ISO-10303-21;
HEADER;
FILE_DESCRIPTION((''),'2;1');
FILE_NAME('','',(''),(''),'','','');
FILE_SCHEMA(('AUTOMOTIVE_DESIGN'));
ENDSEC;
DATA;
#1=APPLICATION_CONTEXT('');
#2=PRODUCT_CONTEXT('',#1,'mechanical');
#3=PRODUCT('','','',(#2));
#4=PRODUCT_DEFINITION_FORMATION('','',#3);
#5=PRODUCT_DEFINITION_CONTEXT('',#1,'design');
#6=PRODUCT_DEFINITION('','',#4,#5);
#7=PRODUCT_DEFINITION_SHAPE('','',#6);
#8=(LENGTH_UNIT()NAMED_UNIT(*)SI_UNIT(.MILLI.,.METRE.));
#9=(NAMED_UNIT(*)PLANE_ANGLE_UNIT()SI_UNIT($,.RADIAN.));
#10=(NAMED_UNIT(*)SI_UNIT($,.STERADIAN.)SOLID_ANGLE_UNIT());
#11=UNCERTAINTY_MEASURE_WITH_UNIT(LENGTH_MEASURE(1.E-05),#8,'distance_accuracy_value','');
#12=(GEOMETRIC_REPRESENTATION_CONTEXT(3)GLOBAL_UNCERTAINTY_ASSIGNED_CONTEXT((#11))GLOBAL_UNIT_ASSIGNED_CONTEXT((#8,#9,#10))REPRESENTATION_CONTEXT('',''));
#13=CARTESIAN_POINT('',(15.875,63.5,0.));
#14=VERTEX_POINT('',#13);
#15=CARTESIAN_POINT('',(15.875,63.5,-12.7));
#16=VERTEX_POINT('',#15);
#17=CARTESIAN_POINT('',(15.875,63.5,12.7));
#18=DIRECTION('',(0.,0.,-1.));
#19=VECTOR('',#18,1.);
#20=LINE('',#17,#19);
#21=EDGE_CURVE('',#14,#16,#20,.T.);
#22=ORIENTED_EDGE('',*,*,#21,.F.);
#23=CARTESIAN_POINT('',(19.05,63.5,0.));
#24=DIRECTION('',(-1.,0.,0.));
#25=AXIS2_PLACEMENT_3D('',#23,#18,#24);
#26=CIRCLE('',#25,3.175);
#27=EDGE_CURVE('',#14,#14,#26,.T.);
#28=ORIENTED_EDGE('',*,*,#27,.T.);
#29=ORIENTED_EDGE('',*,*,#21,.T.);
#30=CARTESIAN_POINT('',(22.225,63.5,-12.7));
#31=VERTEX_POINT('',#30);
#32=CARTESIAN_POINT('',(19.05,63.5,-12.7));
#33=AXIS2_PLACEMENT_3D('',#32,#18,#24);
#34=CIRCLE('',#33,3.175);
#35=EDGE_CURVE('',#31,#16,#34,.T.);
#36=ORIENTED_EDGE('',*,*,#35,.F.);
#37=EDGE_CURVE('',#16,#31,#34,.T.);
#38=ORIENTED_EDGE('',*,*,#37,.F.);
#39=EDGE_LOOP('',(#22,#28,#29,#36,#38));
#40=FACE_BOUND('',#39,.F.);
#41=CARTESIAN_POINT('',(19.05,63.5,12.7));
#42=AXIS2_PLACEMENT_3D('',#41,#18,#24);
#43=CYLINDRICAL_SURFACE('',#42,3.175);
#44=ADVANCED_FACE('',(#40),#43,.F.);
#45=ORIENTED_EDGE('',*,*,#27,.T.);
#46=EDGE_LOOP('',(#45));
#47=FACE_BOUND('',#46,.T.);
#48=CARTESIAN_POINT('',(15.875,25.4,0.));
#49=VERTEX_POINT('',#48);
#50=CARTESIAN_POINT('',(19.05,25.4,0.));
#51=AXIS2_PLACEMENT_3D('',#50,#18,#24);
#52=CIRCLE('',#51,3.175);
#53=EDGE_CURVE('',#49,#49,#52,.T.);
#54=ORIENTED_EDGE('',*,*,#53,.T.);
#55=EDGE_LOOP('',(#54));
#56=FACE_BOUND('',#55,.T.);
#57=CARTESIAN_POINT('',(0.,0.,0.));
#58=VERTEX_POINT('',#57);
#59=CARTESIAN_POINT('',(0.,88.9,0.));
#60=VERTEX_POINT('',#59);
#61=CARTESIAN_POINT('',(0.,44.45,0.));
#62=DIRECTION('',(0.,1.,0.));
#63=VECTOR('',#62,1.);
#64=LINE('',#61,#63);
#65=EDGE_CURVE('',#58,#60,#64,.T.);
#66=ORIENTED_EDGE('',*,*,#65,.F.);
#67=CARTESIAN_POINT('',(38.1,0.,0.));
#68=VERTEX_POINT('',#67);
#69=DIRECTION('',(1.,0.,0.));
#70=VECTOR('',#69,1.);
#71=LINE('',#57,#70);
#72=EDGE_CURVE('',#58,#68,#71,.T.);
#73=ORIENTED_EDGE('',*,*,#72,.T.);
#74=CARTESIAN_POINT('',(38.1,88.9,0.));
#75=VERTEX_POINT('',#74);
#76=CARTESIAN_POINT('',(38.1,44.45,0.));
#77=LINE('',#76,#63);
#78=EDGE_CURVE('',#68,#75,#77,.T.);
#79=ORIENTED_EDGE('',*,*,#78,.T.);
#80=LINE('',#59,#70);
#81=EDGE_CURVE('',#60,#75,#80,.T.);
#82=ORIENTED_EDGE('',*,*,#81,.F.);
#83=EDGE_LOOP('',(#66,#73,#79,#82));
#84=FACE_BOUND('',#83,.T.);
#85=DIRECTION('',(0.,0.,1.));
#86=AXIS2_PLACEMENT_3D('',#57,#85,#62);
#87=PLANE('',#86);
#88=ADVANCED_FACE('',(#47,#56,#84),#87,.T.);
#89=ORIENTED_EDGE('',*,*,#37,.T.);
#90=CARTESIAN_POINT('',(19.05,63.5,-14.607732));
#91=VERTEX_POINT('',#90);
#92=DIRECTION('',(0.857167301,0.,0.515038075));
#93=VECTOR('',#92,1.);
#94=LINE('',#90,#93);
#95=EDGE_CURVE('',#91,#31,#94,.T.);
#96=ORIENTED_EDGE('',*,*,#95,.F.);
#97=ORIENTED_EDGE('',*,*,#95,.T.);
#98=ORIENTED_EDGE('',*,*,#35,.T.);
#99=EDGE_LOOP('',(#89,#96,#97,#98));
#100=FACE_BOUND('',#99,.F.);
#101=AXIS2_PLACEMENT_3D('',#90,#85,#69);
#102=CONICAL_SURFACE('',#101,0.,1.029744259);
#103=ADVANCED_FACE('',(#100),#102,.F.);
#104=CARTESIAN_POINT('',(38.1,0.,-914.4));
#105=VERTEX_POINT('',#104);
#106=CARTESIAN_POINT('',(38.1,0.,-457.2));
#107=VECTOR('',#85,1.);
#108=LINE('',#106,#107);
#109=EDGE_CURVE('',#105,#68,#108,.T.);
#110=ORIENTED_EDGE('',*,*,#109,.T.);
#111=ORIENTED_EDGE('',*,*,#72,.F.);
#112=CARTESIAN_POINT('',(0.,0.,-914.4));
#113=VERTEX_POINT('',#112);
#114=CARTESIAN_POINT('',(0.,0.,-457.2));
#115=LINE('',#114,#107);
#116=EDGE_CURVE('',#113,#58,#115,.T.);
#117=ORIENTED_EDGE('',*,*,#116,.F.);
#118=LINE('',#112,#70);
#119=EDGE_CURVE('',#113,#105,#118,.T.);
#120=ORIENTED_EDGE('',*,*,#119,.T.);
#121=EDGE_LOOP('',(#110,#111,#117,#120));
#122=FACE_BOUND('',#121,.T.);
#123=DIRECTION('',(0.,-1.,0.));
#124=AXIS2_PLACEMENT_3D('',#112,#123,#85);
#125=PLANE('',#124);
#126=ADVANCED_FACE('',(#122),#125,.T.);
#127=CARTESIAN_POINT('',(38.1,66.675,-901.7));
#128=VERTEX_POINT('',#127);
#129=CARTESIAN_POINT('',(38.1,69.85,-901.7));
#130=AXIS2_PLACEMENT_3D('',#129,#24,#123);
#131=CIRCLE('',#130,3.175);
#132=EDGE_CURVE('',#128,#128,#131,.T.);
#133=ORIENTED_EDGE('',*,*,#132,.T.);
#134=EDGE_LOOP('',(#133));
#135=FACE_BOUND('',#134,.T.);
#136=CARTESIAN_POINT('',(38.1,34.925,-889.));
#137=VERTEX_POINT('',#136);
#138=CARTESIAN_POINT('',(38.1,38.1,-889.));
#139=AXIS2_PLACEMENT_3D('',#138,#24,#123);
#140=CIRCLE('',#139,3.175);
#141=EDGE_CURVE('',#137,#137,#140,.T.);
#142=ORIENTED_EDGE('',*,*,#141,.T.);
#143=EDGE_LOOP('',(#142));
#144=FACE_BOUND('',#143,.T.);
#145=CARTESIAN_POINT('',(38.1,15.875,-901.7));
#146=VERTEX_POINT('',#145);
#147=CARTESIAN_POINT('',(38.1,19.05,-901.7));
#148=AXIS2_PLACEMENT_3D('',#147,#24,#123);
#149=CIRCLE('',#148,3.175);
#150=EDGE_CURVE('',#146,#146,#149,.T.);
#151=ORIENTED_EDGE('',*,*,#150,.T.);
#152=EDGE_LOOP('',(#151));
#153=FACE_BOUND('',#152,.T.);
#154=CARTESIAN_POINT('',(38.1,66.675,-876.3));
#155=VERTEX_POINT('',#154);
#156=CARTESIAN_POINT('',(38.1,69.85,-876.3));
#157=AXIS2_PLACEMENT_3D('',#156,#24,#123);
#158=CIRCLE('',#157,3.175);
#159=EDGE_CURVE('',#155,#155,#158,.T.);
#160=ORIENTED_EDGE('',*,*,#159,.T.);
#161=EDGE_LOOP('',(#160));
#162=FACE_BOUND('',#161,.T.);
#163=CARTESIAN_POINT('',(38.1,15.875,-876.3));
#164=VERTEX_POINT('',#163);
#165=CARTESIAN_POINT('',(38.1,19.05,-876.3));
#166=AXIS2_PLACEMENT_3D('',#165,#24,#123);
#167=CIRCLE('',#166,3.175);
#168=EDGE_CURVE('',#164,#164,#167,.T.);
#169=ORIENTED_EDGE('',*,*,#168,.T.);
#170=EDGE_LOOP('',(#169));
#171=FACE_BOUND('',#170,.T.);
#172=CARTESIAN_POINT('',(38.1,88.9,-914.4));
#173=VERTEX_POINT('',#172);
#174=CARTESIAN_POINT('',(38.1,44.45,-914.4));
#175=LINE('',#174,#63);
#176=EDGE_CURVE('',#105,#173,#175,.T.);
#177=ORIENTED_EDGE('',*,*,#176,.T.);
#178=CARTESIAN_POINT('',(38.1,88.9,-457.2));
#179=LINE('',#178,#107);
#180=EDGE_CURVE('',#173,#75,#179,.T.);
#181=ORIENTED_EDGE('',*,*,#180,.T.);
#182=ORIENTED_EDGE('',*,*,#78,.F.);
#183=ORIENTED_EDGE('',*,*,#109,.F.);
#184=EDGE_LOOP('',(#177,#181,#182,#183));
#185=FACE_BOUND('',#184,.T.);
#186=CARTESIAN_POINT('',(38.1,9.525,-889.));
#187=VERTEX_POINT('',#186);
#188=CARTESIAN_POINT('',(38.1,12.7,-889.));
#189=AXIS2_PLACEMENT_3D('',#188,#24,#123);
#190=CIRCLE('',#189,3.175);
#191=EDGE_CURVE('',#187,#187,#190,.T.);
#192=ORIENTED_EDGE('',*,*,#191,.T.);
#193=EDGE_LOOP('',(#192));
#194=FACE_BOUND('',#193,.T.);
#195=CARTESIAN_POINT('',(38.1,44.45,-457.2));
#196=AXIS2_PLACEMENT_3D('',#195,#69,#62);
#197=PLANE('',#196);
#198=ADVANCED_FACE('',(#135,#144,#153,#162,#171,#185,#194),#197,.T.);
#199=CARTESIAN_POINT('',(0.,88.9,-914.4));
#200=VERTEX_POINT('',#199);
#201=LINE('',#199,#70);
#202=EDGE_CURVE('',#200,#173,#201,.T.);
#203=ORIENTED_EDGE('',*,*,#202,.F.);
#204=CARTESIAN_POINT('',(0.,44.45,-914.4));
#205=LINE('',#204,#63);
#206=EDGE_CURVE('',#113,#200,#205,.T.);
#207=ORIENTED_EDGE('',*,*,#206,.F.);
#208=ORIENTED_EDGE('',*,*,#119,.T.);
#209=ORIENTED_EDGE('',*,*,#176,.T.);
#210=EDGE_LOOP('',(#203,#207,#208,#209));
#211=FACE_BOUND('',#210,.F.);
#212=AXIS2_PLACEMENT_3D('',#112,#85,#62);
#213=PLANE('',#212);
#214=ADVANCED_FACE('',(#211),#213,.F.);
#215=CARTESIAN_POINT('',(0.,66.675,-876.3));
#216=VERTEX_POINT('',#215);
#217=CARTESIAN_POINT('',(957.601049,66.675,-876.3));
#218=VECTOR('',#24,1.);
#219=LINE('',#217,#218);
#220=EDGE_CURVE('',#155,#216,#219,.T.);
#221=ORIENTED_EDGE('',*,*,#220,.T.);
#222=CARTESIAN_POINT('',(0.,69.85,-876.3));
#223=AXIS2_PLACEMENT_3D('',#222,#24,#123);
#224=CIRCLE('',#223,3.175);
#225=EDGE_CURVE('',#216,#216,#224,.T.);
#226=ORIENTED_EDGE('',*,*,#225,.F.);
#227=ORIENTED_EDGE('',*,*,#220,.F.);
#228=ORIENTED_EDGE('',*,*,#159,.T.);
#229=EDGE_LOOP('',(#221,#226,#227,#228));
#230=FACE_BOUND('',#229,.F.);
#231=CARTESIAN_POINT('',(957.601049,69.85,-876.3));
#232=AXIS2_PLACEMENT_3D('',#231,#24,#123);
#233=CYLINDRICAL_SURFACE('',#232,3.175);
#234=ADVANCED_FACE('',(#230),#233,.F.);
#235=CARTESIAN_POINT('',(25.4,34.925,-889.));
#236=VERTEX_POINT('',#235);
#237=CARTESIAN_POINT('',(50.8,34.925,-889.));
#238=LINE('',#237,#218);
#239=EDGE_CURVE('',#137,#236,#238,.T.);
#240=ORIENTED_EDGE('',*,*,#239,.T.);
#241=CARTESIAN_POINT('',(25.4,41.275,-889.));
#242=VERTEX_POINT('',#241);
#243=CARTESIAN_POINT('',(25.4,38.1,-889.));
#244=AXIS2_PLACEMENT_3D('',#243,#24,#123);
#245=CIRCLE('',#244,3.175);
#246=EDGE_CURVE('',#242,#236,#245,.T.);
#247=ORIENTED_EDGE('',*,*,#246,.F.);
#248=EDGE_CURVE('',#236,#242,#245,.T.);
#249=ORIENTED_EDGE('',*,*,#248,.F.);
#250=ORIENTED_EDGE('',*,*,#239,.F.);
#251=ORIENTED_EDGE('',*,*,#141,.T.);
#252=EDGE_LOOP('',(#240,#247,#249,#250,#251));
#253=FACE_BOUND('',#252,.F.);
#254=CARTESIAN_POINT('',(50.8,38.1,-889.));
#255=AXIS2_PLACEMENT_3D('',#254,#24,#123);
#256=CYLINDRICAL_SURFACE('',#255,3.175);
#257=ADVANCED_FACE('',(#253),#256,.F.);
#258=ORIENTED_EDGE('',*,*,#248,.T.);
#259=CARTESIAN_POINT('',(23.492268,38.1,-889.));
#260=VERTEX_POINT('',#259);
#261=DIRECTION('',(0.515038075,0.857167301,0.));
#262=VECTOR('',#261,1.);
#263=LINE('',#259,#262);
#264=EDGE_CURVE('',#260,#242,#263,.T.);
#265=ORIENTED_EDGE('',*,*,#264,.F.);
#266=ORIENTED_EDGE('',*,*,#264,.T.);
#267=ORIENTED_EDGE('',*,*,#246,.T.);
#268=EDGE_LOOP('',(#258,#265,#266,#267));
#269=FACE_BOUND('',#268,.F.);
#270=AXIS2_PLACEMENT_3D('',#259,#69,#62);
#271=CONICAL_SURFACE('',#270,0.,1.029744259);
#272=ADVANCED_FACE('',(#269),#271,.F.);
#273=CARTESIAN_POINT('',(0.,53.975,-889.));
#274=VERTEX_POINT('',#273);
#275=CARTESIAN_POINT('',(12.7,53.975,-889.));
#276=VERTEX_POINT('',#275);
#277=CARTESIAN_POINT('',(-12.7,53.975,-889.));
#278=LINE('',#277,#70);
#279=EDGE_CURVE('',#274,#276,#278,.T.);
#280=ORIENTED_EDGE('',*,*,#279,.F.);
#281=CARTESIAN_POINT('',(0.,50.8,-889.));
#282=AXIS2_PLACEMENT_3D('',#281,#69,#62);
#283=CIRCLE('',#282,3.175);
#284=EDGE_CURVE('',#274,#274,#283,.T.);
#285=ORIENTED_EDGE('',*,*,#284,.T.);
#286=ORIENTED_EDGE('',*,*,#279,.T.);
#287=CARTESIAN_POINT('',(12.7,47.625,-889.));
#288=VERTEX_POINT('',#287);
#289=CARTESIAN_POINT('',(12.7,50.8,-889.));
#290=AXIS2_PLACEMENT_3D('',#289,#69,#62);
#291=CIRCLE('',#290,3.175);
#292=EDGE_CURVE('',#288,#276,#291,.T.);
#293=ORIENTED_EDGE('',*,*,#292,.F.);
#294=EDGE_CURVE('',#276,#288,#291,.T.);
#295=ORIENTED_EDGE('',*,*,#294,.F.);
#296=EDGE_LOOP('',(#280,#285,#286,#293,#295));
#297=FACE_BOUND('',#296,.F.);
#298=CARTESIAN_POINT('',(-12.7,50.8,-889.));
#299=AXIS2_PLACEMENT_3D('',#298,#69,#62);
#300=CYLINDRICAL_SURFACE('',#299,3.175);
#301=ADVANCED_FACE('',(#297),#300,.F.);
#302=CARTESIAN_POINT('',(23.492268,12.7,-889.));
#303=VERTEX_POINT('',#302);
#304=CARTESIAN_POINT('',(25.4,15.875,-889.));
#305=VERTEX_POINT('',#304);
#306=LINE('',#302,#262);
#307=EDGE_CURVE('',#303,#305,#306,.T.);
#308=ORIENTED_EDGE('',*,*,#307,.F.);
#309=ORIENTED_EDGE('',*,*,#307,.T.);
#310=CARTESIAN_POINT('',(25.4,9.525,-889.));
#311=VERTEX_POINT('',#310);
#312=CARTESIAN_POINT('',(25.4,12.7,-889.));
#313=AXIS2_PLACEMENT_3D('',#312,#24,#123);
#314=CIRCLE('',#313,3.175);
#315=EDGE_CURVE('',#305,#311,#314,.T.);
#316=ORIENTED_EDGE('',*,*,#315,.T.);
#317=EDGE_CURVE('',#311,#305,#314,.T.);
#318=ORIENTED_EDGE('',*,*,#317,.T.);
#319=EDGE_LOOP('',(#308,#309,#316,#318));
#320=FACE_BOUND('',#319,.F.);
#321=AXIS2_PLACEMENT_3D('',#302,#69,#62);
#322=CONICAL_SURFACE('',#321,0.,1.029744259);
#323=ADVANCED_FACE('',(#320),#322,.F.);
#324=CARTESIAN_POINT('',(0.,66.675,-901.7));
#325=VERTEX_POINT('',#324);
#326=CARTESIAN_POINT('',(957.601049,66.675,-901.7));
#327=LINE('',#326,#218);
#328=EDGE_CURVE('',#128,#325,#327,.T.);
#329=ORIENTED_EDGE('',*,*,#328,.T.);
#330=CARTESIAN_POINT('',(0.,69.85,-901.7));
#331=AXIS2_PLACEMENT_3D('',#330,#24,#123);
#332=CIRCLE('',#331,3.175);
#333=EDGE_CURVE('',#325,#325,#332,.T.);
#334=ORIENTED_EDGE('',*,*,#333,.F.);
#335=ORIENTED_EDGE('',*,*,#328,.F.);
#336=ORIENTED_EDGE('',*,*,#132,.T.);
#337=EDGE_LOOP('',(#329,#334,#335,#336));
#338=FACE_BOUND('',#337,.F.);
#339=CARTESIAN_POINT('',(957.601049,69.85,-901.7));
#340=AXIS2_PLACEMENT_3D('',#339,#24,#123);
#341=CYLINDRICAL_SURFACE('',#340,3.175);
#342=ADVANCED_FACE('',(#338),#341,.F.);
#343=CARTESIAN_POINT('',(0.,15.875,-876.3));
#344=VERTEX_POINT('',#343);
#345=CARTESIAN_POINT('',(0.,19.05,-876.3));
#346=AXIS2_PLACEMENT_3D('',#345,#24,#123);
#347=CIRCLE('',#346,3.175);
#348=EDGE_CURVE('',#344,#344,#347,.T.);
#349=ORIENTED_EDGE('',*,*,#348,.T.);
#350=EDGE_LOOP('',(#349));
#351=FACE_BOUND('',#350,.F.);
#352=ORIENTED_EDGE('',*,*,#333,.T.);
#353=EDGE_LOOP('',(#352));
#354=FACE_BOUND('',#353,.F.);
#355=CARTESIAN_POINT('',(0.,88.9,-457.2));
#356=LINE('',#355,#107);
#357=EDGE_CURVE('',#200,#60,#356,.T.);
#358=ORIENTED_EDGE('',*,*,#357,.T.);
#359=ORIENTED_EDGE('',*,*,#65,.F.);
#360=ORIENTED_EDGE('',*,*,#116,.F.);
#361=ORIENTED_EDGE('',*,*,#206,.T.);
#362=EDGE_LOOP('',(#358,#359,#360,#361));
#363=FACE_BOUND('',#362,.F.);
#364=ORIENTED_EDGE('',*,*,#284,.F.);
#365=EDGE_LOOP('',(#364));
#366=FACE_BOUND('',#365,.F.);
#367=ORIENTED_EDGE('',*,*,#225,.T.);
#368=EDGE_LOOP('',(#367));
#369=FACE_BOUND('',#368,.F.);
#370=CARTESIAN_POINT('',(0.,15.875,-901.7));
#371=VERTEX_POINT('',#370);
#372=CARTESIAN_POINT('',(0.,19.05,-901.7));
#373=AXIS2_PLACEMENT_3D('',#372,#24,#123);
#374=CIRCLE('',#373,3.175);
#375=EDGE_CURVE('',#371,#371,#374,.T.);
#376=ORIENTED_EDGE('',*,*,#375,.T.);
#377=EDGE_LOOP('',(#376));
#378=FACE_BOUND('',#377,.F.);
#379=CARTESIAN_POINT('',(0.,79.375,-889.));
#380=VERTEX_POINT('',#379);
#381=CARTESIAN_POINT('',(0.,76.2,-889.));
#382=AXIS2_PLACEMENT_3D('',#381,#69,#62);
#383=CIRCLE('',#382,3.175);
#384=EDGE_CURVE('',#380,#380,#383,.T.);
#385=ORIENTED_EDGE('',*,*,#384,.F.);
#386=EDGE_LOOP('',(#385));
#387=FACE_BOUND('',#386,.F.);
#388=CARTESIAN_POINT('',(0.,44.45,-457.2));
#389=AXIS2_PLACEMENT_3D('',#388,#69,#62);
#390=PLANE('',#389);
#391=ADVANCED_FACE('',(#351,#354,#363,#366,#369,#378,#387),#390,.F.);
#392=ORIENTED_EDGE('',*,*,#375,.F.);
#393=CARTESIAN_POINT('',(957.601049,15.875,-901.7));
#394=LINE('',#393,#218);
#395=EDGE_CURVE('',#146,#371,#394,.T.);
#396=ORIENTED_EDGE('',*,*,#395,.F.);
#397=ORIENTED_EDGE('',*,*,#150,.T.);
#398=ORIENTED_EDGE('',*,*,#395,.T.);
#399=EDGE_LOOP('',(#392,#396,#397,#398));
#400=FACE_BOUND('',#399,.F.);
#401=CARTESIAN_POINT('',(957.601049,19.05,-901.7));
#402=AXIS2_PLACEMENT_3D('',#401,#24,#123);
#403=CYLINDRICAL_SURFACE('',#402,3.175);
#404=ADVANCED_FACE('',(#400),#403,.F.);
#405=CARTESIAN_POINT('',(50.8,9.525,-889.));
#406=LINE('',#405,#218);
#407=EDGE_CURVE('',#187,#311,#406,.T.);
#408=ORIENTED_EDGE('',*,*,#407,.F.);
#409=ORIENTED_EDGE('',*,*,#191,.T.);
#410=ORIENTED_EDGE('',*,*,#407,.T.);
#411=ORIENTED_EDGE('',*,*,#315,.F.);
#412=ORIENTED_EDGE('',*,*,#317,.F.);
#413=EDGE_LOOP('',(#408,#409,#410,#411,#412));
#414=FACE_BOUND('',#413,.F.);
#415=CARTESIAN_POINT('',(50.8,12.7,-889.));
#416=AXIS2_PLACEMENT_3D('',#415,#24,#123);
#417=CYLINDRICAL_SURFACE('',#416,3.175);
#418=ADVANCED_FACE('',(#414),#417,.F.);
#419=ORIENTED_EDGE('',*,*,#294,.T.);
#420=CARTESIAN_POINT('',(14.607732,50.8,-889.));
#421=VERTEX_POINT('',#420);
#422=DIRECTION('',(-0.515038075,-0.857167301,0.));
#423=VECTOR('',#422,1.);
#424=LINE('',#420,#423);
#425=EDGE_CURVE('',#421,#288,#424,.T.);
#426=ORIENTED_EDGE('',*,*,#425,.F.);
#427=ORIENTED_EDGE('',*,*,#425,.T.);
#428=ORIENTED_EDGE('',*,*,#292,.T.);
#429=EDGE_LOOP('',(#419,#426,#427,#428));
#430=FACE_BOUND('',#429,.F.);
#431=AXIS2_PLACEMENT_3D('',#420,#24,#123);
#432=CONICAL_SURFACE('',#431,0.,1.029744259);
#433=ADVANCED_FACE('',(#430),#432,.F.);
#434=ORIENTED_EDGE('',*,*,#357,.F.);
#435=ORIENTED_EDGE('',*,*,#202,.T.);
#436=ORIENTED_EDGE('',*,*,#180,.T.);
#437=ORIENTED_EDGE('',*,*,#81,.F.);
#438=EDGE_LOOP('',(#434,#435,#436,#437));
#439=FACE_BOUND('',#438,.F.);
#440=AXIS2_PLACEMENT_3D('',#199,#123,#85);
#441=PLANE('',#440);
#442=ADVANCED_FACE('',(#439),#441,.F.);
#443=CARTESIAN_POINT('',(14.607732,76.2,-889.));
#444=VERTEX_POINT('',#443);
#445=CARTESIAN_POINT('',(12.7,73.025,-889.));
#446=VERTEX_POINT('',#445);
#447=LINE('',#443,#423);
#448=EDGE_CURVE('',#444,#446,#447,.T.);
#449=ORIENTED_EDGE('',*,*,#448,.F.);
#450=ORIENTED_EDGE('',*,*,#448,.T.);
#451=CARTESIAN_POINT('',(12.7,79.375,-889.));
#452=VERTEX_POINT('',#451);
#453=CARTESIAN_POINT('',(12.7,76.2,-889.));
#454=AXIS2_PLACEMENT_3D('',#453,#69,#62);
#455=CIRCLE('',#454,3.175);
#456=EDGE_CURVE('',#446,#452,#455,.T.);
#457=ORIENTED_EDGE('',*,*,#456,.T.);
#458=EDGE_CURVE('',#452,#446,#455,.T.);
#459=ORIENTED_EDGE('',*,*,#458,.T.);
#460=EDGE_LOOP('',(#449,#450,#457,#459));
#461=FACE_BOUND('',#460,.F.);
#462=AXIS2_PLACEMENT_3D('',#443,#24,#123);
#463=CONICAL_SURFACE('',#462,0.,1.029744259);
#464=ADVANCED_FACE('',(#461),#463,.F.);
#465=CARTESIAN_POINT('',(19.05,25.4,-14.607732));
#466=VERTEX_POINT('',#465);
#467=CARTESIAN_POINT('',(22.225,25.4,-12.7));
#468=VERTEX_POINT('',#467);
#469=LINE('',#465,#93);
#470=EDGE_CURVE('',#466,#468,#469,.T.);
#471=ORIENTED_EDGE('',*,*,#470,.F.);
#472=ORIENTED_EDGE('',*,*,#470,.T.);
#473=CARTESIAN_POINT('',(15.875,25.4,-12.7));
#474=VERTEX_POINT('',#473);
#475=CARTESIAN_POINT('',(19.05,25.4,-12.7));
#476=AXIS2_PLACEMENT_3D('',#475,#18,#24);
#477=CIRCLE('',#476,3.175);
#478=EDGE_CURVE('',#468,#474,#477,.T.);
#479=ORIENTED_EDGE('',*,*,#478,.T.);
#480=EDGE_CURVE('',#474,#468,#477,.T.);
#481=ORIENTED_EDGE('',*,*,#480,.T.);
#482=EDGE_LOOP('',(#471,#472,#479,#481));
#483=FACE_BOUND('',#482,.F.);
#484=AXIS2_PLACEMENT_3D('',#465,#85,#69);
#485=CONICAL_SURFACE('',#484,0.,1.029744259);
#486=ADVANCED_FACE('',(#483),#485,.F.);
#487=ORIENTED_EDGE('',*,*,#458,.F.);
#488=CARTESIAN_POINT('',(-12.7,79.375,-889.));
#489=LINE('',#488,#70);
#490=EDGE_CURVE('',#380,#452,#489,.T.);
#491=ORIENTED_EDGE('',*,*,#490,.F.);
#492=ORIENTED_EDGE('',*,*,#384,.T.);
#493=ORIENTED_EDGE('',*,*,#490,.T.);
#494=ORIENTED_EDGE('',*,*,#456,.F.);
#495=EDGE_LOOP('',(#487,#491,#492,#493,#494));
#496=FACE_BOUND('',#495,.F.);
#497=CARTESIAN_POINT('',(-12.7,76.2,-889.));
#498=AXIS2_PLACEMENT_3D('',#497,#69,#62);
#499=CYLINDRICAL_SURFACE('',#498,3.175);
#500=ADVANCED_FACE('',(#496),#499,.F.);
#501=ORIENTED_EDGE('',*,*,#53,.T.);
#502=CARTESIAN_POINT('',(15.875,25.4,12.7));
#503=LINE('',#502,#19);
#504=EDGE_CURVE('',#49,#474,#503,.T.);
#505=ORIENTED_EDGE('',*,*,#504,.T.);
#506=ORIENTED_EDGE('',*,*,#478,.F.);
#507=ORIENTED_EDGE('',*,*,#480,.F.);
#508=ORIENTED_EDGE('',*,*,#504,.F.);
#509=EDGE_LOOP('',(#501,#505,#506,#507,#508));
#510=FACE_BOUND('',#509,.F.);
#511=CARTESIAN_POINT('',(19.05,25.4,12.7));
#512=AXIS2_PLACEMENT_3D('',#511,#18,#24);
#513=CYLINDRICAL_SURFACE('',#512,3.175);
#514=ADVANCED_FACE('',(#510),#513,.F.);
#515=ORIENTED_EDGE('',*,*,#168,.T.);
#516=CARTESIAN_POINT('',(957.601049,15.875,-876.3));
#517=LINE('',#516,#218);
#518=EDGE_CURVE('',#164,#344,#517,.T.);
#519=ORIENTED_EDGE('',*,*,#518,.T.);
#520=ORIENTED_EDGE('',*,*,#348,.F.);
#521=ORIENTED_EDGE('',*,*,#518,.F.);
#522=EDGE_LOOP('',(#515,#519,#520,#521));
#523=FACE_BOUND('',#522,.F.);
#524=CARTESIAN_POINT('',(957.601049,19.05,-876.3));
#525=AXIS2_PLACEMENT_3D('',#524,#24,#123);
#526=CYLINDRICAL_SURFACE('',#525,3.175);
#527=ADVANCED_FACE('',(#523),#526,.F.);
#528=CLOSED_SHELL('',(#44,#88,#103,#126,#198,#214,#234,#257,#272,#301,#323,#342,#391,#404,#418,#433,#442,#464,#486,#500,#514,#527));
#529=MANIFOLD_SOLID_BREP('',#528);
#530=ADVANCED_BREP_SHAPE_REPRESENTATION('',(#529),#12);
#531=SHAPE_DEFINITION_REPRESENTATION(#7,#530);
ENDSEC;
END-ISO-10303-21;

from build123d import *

# Parameters (mm, degrees)
F0_W     = 88.9
F0_H     = 914.4
F1_DEPTH = 38.1
F3_D     = 6.35
F5_D     = 6.35
F5_DEPTH = 12.7
F5_TIP   = 1.9077324654
F7_D     = 6.35
F7_DEPTH = 12.7
F7_TIP   = 1.9077324654
F9_D     = 6.35
F9_DEPTH = 12.7
F9_TIP   = 1.9077324654


with BuildPart() as f1:
    # F0 (on Right) → F1 (new body)
    with BuildSketch(Plane.YZ):
        with Locations((44.45, -457.2)):
            Rectangle(F0_W, F0_H)
    extrude(amount=F1_DEPTH)

    # F3 (through all)
    with Locations(Plane.YZ.offset(38.1)):
        with Locations((19.05, -876.3), (19.05, -901.7), (69.85, -876.3), (69.85, -901.7)):
            Hole(F3_D / 2)

    # F5
    with Locations(Plane(origin=(0, 0, 0), x_dir=(0, -1, 0), z_dir=(-1, 0, 0))):
        with Locations((-76.2, -889), (-50.8, -889)):
            Hole(F5_D / 2, depth=F5_DEPTH)
            with Locations((0, 0, -(F5_DEPTH + F5_TIP / 2))):  # 118° drill point
                Cone(0, F5_D / 2, F5_TIP, mode=Mode.SUBTRACT)

    # F7
    with Locations(Plane.YZ.offset(38.1)):
        with Locations((12.7, -889), (38.1, -889)):
            Hole(F7_D / 2, depth=F7_DEPTH)
            with Locations((0, 0, -(F7_DEPTH + F7_TIP / 2))):  # 118° drill point
                Cone(0, F7_D / 2, F7_TIP, mode=Mode.SUBTRACT)

    # F9
    with Locations(Plane.XY):
        with Locations((19.05, 63.5), (19.05, 25.4)):
            Hole(F9_D / 2, depth=F9_DEPTH)
            with Locations((0, 0, -(F9_DEPTH + F9_TIP / 2))):  # 118° drill point
                Cone(0, F9_D / 2, F9_TIP, mode=Mode.SUBTRACT)


solid = f1.part
